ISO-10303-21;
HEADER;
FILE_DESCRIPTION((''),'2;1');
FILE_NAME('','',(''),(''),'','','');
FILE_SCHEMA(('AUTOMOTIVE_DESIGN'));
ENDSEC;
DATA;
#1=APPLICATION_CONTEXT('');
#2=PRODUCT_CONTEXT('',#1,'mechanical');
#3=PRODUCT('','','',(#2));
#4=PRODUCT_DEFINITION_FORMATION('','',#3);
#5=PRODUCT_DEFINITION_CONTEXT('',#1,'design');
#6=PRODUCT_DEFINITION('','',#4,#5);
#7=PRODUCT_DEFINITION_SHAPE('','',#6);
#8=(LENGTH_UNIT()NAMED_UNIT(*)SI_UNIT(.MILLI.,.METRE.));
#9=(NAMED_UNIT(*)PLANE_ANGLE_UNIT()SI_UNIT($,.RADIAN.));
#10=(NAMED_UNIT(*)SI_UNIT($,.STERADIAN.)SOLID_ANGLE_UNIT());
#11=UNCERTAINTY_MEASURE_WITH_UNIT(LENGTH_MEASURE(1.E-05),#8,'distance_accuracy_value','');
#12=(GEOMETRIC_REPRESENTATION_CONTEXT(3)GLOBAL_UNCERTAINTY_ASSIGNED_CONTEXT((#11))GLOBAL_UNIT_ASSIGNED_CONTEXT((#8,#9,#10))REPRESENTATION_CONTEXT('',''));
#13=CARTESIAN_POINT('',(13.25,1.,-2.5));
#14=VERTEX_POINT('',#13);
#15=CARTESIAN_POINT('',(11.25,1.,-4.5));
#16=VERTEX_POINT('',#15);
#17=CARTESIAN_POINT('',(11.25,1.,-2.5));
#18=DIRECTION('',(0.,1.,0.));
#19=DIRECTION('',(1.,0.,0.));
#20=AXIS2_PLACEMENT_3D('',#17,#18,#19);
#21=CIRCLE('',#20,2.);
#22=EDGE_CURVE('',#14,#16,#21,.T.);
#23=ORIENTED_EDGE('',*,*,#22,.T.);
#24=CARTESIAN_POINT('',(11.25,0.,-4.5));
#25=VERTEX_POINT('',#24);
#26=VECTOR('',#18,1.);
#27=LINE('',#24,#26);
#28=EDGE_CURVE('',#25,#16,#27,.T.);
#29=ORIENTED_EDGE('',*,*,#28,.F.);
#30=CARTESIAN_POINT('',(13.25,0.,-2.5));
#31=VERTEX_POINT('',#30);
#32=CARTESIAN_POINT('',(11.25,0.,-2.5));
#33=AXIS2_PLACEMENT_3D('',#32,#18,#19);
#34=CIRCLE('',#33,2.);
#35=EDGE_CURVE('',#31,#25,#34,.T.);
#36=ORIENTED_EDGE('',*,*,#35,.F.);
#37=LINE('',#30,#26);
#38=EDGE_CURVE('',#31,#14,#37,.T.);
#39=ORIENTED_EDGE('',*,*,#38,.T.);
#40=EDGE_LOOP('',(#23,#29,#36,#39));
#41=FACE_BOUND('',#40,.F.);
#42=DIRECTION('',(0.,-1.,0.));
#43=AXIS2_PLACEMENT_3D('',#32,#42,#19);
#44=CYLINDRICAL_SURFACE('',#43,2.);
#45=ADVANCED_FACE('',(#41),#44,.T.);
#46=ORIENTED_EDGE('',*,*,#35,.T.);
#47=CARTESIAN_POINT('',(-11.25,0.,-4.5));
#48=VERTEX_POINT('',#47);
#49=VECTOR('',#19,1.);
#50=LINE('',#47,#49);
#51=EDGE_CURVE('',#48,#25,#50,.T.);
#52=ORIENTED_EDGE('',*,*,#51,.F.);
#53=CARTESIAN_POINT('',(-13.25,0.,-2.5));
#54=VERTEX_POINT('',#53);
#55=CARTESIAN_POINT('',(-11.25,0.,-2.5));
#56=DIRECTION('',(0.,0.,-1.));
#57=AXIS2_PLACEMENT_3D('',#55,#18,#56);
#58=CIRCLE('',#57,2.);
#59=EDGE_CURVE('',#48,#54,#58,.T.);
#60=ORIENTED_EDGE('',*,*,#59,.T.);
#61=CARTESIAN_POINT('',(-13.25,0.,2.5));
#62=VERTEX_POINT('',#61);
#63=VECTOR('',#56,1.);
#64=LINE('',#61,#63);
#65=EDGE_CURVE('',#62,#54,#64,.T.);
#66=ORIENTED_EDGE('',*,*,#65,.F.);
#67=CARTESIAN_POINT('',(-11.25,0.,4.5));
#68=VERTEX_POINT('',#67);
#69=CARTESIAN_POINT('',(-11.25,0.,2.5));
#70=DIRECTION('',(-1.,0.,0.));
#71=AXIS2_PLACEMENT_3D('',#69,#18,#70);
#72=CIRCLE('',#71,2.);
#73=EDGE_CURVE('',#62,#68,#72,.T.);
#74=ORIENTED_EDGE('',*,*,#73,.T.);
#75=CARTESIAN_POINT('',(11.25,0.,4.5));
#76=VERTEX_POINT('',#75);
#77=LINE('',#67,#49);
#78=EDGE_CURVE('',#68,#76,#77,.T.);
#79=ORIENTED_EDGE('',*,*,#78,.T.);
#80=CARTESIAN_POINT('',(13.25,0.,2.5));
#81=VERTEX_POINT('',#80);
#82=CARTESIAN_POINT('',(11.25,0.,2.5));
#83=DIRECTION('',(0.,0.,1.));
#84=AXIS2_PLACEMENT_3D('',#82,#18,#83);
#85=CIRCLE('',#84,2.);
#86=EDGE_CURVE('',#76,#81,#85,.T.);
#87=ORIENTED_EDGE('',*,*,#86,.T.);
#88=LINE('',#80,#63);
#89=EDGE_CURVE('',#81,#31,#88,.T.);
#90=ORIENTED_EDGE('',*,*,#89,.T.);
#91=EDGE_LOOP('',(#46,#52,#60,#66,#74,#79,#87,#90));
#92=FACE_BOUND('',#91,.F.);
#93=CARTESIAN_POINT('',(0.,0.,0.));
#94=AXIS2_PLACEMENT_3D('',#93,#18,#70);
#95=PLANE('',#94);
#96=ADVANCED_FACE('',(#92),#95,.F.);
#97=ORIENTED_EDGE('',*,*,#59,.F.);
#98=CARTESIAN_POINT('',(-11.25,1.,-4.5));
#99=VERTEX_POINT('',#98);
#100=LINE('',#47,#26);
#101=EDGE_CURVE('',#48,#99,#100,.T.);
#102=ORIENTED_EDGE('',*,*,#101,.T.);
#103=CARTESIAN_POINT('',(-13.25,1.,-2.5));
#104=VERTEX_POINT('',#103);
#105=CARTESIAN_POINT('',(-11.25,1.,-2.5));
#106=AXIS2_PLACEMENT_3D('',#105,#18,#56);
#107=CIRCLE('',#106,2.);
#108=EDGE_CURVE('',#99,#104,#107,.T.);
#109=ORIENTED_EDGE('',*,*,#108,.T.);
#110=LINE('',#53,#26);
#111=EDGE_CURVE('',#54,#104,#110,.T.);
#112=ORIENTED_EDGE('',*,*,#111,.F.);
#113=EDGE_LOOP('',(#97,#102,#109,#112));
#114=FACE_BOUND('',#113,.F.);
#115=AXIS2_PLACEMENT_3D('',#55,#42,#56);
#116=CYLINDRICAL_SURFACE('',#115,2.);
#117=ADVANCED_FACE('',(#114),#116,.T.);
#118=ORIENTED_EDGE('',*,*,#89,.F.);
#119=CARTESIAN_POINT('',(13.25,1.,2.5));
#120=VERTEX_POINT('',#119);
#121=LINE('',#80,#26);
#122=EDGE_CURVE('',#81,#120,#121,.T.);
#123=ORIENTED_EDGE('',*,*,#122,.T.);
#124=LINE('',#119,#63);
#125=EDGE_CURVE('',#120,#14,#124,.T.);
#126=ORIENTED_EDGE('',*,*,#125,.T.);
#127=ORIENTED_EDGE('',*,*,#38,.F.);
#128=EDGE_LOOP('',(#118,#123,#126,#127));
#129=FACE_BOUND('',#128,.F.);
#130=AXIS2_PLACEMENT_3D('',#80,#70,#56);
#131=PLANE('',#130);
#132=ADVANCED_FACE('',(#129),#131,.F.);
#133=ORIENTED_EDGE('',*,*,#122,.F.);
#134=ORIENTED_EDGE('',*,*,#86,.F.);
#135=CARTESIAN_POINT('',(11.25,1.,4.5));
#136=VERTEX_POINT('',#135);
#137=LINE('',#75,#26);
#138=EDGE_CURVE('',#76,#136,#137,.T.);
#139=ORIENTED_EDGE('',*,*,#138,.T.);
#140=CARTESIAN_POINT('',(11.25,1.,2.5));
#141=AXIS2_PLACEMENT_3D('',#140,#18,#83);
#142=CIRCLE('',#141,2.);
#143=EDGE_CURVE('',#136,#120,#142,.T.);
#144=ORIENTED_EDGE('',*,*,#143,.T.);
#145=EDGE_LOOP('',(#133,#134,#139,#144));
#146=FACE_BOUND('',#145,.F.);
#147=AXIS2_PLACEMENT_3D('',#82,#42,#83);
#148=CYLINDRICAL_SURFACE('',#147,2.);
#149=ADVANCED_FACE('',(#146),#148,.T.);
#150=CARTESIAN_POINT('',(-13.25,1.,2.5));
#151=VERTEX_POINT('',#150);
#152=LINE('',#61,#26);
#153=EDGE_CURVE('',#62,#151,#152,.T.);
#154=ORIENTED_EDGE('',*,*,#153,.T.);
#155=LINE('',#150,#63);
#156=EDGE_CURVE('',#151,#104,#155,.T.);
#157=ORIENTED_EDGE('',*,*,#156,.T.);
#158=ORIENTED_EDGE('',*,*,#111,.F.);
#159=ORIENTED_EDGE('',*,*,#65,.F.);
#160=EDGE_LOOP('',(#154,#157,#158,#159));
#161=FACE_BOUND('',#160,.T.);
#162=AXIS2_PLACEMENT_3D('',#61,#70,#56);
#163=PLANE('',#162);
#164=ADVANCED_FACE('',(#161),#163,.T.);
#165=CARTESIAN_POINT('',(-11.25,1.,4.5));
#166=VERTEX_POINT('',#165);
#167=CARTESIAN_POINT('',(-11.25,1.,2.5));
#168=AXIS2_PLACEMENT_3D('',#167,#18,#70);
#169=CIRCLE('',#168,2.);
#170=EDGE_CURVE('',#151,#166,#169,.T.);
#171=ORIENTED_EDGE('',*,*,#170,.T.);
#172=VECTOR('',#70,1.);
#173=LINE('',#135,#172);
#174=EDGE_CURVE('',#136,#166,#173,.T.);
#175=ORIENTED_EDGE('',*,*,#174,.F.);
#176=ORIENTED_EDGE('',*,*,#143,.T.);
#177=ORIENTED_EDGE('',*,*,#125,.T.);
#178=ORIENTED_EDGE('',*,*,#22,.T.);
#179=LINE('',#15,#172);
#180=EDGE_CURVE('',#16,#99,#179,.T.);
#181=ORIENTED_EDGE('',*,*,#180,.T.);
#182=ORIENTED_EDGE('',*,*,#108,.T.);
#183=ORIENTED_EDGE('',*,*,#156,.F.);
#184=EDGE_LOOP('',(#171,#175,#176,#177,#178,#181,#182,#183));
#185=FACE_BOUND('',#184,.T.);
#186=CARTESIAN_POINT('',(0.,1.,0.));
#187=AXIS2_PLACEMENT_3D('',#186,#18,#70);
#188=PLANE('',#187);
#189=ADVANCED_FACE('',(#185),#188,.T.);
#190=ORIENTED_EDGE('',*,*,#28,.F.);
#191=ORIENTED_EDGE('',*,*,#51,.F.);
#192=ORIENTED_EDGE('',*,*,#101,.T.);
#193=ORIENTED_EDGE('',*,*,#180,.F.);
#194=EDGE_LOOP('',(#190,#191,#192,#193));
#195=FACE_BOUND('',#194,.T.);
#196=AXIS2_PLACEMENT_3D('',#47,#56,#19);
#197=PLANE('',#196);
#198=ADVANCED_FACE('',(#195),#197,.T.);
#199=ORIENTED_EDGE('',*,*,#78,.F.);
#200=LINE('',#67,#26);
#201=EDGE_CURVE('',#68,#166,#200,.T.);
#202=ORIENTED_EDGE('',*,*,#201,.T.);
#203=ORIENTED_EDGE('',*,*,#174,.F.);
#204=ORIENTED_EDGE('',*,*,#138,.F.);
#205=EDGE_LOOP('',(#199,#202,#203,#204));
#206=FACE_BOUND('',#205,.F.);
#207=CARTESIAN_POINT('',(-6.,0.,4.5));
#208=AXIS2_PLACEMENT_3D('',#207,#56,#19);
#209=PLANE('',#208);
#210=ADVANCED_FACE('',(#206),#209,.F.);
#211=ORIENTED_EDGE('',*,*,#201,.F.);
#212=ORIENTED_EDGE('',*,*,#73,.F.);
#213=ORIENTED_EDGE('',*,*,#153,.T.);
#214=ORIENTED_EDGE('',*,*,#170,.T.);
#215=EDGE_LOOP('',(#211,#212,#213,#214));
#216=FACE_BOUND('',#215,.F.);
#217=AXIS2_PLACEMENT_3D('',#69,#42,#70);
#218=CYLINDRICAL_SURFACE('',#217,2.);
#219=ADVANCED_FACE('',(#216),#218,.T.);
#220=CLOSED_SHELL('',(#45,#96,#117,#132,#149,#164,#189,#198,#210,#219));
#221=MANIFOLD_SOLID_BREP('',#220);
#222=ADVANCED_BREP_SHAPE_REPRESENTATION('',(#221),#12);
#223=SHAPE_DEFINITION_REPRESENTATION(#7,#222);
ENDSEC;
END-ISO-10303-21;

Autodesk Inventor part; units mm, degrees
ref_plane "YZ Plane" through (0, 0, 0) normal (1, 0, 0) x (0, 1, 0)
ref_plane "XZ Plane" through (0, 0, 0) normal (0, 1, 0) x (-1, 0, 0)
ref_plane "XY Plane" through (0, 0, 0) normal (0, 0, 1) x (1, 0, 0)
sketch "Szkic2" plane through (0, 0, 0) normal (0, 1, 0) x (-1, 0, 0)
  line L0 (6, 4.5) -> (-6, 4.5)
  line L1 (-6, 4.5) -> (-6, -4.5)
  line L2 (-6, -4.5) -> (6, -4.5)
  line L3 (6, -4.5) -> (6, 4.5)
  line L4 (9.7936, 0) -> (-12.3472, 0)
  line L5 (0, 10.0787) -> (0, -13.253)
  line L6 (6, 4.5) -> (11.25, 4.5)
  line L7 (13.25, 2.5) -> (13.25, -2.5)
  line L8 (11.25, -4.5) -> (6, -4.5)
  line L9 (6, -4.5) -> (6, 4.5)
  arc A0 (13.25, 2.5) -> (11.25, 4.5) centre (11.25, 2.5) ccw
  arc A1 (11.25, -4.5) -> (13.25, -2.5) centre (11.25, -2.5) ccw
  line L10 (-6, 4.5) -> (-11.25, 4.5)
  line L11 (-13.25, 2.5) -> (-13.25, -2.5)
  line L12 (-11.25, -4.5) -> (-6, -4.5)
  arc A2 (-11.25, 4.5) -> (-13.25, 2.5) centre (-11.25, 2.5) ccw
  arc A3 (-13.25, -2.5) -> (-11.25, -4.5) centre (-11.25, -2.5) ccw
  point P0 (0, 0)
  point P1 (13.25, 4.5)
  dimension "d7" = 12
  dimension "d8" = 9
  dimension "d9" = 4.5
  dimension "d10" = 6
  dimension "d11" = 7.25
  dimension "d12" = 2
extrude "Wyciągnięcie proste2" add sketch "Szkic2" along normal blind 1
properties part number "prent1"
